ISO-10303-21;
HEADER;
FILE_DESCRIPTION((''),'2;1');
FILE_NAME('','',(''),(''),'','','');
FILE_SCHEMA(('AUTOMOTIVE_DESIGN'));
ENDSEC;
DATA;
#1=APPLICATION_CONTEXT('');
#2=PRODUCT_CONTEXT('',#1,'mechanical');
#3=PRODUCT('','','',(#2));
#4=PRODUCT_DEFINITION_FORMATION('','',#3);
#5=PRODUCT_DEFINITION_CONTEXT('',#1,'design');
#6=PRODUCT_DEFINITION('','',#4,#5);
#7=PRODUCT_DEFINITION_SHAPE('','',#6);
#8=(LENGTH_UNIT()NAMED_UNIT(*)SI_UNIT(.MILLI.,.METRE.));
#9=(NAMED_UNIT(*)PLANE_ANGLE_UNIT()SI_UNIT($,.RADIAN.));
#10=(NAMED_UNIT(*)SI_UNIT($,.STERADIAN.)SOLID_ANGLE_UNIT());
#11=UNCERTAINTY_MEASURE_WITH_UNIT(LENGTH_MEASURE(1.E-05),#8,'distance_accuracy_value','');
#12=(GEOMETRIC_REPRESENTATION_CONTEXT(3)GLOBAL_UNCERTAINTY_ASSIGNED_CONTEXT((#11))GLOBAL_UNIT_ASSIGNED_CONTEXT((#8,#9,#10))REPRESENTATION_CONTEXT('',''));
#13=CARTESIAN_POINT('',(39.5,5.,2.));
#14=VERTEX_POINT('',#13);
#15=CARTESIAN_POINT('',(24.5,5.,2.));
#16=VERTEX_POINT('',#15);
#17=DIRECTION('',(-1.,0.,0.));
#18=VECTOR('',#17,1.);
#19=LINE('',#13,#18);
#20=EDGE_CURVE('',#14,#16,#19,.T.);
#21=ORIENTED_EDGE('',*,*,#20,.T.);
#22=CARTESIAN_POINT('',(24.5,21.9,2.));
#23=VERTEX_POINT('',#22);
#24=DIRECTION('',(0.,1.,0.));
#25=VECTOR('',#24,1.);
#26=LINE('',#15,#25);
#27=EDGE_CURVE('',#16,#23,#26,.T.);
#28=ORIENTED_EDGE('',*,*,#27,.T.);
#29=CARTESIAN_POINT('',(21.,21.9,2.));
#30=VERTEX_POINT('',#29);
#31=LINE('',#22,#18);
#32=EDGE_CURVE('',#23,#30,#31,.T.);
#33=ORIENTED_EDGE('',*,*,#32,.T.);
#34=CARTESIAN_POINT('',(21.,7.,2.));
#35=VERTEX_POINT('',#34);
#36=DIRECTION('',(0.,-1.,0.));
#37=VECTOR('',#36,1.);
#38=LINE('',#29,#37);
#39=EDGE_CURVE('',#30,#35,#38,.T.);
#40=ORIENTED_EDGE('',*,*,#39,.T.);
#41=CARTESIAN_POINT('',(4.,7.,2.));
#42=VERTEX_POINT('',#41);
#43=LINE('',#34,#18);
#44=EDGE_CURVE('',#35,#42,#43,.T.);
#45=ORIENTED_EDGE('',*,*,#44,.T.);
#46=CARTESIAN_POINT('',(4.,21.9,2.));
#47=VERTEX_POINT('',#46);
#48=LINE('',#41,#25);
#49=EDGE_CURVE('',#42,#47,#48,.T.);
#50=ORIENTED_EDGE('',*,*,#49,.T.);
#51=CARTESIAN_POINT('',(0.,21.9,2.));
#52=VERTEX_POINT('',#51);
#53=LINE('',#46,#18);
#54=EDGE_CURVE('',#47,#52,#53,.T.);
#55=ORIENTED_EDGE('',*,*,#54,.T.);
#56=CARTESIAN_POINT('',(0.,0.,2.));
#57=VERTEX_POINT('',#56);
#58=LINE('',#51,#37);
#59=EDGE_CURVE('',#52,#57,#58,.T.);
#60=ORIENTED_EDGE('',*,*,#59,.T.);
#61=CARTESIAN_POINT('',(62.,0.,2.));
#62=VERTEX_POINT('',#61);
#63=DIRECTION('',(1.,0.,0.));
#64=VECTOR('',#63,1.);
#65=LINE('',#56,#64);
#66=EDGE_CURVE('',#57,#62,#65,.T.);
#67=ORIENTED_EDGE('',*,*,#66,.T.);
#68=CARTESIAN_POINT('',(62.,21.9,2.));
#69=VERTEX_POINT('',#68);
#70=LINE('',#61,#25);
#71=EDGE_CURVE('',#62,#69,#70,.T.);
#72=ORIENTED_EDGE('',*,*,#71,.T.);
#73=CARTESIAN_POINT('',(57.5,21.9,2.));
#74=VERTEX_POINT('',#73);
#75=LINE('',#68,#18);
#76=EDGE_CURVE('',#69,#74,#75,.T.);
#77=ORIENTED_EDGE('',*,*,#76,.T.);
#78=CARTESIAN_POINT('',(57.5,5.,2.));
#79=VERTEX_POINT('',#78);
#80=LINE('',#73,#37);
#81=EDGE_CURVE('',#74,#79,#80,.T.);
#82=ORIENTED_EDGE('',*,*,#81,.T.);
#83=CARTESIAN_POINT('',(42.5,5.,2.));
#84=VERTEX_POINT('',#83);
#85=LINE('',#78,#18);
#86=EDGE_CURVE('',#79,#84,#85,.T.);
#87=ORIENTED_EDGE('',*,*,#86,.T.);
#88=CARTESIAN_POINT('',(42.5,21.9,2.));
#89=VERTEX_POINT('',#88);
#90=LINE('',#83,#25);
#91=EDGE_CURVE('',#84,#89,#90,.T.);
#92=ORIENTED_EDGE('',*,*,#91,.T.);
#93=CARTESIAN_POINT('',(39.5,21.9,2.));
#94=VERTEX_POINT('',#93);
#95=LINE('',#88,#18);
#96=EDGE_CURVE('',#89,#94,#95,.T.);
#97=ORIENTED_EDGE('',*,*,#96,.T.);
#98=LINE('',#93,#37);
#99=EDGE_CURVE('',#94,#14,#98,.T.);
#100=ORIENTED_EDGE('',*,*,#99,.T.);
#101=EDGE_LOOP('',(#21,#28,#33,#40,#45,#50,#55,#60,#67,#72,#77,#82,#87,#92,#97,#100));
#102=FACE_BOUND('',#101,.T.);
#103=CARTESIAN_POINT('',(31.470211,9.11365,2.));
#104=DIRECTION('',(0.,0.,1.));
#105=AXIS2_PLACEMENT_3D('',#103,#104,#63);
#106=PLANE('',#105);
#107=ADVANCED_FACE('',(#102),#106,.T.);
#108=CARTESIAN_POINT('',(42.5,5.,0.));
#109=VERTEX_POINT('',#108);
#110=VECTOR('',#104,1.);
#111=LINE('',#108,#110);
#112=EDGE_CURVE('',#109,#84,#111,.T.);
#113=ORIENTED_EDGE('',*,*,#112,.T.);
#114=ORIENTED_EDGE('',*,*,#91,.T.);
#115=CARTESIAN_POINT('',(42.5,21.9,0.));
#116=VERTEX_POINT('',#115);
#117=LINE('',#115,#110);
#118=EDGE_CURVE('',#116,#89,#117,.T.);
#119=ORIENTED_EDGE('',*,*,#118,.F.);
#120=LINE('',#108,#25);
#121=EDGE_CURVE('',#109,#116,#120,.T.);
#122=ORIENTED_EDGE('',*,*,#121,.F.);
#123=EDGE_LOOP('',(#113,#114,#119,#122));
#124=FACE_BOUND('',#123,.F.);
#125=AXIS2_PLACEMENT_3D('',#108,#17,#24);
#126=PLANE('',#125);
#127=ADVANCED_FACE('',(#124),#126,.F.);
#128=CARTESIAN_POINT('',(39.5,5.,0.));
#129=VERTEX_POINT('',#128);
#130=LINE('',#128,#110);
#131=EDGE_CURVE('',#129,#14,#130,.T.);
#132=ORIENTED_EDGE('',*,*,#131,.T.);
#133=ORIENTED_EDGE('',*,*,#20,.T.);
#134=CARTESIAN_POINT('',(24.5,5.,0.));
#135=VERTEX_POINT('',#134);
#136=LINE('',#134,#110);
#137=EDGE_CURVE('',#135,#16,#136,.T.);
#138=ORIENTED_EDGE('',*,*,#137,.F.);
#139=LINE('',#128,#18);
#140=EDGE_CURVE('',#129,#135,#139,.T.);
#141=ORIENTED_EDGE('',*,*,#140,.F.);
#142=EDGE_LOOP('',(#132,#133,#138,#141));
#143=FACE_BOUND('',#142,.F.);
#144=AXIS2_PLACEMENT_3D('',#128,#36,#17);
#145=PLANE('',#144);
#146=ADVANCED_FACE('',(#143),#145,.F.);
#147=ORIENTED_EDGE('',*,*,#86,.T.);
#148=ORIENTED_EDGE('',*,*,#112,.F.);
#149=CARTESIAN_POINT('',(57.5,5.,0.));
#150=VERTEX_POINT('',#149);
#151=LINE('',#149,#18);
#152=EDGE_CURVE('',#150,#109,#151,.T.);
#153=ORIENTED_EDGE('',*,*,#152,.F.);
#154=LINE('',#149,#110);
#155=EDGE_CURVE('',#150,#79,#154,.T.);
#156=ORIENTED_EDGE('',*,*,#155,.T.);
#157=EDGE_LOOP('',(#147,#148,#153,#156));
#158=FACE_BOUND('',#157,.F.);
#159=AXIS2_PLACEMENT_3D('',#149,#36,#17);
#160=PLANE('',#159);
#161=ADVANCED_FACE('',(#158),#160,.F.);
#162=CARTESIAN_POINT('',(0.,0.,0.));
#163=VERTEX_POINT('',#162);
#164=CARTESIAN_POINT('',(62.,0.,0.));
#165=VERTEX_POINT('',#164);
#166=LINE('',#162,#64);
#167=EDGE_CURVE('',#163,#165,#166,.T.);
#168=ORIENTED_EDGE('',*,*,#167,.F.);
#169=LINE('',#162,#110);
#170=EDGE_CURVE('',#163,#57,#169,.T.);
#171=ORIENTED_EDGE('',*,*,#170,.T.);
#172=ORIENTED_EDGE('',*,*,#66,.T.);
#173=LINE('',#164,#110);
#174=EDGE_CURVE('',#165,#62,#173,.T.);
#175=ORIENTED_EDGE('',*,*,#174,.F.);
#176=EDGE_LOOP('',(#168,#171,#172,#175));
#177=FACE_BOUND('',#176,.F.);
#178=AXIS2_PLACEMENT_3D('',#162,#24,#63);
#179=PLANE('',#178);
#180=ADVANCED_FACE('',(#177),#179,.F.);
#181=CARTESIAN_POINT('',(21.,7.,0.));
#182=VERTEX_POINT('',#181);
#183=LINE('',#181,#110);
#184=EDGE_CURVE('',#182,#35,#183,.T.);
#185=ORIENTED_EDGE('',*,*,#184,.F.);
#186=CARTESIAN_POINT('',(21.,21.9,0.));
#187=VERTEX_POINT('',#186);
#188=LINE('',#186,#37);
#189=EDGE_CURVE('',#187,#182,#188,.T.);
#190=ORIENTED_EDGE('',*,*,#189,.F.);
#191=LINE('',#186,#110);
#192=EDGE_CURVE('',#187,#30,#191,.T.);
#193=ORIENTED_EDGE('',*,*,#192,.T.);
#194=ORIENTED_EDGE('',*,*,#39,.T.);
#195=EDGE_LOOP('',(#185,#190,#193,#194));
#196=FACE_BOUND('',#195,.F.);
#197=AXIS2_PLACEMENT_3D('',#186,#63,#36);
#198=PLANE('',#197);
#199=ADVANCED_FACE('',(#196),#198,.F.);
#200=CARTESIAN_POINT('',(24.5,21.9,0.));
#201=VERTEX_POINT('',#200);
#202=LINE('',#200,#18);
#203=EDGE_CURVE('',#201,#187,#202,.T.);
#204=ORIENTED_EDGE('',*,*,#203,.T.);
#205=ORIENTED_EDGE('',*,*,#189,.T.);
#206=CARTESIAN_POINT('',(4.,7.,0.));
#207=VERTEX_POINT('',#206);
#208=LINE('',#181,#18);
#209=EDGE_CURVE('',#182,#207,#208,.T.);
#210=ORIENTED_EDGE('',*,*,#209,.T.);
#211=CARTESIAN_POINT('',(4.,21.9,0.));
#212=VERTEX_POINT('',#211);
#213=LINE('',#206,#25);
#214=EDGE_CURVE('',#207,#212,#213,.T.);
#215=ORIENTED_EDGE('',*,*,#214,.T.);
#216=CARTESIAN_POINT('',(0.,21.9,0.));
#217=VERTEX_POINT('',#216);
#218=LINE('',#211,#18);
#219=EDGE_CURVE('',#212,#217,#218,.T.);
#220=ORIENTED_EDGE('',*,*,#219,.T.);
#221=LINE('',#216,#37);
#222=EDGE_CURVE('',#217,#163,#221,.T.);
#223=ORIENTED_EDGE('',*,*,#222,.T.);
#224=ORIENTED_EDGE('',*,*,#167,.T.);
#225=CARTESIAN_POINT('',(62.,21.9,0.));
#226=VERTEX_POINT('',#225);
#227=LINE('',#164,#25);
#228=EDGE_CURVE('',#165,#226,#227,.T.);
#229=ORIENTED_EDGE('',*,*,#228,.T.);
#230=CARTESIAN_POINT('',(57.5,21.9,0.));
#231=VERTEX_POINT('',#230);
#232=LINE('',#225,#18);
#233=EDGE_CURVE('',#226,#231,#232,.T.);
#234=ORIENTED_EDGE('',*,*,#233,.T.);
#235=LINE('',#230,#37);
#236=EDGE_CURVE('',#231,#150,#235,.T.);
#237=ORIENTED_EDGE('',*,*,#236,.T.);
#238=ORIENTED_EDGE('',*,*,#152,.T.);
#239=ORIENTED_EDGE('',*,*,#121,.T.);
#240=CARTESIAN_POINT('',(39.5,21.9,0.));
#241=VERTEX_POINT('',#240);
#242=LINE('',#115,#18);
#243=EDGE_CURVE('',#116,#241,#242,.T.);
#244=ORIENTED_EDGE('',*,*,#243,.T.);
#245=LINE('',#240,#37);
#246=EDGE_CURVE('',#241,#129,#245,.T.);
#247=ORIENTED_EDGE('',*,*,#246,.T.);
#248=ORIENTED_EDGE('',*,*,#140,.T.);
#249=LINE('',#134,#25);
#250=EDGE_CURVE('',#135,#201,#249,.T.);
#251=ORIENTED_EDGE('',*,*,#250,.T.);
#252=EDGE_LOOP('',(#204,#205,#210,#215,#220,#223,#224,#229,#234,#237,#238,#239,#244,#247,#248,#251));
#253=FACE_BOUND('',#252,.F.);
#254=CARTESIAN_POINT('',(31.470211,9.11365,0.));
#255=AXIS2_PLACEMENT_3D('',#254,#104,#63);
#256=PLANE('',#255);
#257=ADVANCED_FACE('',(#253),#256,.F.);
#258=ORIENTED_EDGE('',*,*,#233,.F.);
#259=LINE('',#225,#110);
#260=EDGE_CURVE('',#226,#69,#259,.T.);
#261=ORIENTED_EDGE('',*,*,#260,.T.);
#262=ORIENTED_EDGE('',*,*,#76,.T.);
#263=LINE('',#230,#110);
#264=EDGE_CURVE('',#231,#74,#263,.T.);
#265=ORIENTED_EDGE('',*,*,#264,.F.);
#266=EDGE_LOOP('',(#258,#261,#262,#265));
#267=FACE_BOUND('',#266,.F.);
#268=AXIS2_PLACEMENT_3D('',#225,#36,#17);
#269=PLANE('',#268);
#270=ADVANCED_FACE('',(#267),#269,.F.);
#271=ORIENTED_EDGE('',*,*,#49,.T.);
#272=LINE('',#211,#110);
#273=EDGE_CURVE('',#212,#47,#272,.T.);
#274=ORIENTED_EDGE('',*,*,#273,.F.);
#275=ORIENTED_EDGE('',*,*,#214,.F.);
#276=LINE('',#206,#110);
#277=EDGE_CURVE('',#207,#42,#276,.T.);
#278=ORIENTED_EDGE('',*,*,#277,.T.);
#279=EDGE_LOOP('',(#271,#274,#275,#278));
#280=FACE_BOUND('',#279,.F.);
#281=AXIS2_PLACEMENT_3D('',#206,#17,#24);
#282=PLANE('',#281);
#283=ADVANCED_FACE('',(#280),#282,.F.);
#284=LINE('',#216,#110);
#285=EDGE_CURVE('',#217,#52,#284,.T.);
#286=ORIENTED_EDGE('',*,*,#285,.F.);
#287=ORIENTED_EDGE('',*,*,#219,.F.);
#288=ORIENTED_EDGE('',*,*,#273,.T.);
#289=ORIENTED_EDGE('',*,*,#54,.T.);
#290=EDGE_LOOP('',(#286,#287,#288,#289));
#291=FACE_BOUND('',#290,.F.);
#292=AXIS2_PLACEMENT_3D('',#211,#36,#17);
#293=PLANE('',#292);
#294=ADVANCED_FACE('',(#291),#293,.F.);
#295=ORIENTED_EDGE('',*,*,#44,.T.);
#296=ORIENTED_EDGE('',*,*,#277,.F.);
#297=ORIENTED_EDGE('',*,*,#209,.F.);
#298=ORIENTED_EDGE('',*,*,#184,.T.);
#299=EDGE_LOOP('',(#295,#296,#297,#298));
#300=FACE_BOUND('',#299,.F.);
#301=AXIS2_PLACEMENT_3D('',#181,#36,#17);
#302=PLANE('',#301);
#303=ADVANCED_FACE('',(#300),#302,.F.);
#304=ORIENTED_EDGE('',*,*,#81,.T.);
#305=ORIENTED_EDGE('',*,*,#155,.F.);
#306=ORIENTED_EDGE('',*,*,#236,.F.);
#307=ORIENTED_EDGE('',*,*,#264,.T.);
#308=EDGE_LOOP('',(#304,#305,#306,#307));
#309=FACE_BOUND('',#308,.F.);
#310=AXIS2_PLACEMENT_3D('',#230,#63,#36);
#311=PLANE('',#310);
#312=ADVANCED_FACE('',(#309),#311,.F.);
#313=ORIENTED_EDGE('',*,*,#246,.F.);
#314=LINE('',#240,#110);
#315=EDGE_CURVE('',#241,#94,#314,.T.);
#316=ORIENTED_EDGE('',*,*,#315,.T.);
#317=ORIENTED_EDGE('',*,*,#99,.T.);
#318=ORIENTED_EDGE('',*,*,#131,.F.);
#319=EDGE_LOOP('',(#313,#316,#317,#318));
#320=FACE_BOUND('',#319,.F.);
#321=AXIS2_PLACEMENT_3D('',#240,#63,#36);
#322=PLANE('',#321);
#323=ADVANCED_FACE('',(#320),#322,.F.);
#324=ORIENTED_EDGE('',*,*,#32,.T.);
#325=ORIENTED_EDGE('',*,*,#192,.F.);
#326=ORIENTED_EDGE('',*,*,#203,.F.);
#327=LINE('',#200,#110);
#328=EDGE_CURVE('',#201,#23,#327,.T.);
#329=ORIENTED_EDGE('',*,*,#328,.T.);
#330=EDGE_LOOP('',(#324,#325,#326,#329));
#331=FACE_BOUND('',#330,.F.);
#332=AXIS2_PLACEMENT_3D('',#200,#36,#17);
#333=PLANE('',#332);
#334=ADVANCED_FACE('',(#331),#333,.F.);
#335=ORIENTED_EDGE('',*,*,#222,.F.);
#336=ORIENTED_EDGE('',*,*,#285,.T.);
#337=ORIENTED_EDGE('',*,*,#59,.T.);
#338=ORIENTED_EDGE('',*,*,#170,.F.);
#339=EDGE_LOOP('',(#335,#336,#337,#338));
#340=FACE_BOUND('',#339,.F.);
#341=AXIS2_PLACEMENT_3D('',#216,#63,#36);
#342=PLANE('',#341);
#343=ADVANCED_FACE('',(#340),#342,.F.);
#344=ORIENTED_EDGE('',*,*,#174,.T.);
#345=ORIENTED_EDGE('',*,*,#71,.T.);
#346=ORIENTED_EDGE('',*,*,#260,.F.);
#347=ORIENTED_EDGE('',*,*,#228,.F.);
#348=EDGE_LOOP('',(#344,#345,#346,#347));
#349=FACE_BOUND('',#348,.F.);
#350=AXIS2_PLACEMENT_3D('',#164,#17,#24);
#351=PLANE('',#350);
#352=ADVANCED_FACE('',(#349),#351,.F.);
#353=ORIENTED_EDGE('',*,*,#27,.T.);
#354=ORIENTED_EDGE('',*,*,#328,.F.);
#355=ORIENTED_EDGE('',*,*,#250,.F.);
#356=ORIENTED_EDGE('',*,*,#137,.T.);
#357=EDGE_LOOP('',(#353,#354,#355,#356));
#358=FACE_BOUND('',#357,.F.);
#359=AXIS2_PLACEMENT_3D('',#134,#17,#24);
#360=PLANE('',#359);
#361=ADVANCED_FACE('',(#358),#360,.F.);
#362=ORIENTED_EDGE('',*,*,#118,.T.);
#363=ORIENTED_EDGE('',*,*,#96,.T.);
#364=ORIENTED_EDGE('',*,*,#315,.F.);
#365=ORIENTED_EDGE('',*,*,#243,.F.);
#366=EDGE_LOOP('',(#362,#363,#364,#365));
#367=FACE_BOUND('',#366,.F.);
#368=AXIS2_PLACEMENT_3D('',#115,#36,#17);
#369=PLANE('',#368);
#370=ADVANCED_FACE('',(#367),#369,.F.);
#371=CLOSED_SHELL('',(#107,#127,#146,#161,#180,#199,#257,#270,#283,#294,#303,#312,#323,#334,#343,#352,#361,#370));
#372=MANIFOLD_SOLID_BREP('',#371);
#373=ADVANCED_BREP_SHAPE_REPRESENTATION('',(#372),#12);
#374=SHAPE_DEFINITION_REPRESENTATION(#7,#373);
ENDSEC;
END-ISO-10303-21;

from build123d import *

# Parameters (mm, degrees)
PAD_DEPTH = 2


with BuildPart() as part:
    # Sketch → Pad (new body)
    with BuildSketch(Plane.XY):
        Polygon((0, 0), (62, 0), (62, 21.9), (57.5, 21.9), (57.5, 5), (42.5, 5), (42.5, 21.9), (39.5, 21.9), (39.5, 5), (24.5, 5), (24.5, 21.9), (21, 21.9), (21, 7), (4, 7), (4, 21.9), (0, 21.9), align=None)
    extrude(amount=PAD_DEPTH)


solid = part.part
